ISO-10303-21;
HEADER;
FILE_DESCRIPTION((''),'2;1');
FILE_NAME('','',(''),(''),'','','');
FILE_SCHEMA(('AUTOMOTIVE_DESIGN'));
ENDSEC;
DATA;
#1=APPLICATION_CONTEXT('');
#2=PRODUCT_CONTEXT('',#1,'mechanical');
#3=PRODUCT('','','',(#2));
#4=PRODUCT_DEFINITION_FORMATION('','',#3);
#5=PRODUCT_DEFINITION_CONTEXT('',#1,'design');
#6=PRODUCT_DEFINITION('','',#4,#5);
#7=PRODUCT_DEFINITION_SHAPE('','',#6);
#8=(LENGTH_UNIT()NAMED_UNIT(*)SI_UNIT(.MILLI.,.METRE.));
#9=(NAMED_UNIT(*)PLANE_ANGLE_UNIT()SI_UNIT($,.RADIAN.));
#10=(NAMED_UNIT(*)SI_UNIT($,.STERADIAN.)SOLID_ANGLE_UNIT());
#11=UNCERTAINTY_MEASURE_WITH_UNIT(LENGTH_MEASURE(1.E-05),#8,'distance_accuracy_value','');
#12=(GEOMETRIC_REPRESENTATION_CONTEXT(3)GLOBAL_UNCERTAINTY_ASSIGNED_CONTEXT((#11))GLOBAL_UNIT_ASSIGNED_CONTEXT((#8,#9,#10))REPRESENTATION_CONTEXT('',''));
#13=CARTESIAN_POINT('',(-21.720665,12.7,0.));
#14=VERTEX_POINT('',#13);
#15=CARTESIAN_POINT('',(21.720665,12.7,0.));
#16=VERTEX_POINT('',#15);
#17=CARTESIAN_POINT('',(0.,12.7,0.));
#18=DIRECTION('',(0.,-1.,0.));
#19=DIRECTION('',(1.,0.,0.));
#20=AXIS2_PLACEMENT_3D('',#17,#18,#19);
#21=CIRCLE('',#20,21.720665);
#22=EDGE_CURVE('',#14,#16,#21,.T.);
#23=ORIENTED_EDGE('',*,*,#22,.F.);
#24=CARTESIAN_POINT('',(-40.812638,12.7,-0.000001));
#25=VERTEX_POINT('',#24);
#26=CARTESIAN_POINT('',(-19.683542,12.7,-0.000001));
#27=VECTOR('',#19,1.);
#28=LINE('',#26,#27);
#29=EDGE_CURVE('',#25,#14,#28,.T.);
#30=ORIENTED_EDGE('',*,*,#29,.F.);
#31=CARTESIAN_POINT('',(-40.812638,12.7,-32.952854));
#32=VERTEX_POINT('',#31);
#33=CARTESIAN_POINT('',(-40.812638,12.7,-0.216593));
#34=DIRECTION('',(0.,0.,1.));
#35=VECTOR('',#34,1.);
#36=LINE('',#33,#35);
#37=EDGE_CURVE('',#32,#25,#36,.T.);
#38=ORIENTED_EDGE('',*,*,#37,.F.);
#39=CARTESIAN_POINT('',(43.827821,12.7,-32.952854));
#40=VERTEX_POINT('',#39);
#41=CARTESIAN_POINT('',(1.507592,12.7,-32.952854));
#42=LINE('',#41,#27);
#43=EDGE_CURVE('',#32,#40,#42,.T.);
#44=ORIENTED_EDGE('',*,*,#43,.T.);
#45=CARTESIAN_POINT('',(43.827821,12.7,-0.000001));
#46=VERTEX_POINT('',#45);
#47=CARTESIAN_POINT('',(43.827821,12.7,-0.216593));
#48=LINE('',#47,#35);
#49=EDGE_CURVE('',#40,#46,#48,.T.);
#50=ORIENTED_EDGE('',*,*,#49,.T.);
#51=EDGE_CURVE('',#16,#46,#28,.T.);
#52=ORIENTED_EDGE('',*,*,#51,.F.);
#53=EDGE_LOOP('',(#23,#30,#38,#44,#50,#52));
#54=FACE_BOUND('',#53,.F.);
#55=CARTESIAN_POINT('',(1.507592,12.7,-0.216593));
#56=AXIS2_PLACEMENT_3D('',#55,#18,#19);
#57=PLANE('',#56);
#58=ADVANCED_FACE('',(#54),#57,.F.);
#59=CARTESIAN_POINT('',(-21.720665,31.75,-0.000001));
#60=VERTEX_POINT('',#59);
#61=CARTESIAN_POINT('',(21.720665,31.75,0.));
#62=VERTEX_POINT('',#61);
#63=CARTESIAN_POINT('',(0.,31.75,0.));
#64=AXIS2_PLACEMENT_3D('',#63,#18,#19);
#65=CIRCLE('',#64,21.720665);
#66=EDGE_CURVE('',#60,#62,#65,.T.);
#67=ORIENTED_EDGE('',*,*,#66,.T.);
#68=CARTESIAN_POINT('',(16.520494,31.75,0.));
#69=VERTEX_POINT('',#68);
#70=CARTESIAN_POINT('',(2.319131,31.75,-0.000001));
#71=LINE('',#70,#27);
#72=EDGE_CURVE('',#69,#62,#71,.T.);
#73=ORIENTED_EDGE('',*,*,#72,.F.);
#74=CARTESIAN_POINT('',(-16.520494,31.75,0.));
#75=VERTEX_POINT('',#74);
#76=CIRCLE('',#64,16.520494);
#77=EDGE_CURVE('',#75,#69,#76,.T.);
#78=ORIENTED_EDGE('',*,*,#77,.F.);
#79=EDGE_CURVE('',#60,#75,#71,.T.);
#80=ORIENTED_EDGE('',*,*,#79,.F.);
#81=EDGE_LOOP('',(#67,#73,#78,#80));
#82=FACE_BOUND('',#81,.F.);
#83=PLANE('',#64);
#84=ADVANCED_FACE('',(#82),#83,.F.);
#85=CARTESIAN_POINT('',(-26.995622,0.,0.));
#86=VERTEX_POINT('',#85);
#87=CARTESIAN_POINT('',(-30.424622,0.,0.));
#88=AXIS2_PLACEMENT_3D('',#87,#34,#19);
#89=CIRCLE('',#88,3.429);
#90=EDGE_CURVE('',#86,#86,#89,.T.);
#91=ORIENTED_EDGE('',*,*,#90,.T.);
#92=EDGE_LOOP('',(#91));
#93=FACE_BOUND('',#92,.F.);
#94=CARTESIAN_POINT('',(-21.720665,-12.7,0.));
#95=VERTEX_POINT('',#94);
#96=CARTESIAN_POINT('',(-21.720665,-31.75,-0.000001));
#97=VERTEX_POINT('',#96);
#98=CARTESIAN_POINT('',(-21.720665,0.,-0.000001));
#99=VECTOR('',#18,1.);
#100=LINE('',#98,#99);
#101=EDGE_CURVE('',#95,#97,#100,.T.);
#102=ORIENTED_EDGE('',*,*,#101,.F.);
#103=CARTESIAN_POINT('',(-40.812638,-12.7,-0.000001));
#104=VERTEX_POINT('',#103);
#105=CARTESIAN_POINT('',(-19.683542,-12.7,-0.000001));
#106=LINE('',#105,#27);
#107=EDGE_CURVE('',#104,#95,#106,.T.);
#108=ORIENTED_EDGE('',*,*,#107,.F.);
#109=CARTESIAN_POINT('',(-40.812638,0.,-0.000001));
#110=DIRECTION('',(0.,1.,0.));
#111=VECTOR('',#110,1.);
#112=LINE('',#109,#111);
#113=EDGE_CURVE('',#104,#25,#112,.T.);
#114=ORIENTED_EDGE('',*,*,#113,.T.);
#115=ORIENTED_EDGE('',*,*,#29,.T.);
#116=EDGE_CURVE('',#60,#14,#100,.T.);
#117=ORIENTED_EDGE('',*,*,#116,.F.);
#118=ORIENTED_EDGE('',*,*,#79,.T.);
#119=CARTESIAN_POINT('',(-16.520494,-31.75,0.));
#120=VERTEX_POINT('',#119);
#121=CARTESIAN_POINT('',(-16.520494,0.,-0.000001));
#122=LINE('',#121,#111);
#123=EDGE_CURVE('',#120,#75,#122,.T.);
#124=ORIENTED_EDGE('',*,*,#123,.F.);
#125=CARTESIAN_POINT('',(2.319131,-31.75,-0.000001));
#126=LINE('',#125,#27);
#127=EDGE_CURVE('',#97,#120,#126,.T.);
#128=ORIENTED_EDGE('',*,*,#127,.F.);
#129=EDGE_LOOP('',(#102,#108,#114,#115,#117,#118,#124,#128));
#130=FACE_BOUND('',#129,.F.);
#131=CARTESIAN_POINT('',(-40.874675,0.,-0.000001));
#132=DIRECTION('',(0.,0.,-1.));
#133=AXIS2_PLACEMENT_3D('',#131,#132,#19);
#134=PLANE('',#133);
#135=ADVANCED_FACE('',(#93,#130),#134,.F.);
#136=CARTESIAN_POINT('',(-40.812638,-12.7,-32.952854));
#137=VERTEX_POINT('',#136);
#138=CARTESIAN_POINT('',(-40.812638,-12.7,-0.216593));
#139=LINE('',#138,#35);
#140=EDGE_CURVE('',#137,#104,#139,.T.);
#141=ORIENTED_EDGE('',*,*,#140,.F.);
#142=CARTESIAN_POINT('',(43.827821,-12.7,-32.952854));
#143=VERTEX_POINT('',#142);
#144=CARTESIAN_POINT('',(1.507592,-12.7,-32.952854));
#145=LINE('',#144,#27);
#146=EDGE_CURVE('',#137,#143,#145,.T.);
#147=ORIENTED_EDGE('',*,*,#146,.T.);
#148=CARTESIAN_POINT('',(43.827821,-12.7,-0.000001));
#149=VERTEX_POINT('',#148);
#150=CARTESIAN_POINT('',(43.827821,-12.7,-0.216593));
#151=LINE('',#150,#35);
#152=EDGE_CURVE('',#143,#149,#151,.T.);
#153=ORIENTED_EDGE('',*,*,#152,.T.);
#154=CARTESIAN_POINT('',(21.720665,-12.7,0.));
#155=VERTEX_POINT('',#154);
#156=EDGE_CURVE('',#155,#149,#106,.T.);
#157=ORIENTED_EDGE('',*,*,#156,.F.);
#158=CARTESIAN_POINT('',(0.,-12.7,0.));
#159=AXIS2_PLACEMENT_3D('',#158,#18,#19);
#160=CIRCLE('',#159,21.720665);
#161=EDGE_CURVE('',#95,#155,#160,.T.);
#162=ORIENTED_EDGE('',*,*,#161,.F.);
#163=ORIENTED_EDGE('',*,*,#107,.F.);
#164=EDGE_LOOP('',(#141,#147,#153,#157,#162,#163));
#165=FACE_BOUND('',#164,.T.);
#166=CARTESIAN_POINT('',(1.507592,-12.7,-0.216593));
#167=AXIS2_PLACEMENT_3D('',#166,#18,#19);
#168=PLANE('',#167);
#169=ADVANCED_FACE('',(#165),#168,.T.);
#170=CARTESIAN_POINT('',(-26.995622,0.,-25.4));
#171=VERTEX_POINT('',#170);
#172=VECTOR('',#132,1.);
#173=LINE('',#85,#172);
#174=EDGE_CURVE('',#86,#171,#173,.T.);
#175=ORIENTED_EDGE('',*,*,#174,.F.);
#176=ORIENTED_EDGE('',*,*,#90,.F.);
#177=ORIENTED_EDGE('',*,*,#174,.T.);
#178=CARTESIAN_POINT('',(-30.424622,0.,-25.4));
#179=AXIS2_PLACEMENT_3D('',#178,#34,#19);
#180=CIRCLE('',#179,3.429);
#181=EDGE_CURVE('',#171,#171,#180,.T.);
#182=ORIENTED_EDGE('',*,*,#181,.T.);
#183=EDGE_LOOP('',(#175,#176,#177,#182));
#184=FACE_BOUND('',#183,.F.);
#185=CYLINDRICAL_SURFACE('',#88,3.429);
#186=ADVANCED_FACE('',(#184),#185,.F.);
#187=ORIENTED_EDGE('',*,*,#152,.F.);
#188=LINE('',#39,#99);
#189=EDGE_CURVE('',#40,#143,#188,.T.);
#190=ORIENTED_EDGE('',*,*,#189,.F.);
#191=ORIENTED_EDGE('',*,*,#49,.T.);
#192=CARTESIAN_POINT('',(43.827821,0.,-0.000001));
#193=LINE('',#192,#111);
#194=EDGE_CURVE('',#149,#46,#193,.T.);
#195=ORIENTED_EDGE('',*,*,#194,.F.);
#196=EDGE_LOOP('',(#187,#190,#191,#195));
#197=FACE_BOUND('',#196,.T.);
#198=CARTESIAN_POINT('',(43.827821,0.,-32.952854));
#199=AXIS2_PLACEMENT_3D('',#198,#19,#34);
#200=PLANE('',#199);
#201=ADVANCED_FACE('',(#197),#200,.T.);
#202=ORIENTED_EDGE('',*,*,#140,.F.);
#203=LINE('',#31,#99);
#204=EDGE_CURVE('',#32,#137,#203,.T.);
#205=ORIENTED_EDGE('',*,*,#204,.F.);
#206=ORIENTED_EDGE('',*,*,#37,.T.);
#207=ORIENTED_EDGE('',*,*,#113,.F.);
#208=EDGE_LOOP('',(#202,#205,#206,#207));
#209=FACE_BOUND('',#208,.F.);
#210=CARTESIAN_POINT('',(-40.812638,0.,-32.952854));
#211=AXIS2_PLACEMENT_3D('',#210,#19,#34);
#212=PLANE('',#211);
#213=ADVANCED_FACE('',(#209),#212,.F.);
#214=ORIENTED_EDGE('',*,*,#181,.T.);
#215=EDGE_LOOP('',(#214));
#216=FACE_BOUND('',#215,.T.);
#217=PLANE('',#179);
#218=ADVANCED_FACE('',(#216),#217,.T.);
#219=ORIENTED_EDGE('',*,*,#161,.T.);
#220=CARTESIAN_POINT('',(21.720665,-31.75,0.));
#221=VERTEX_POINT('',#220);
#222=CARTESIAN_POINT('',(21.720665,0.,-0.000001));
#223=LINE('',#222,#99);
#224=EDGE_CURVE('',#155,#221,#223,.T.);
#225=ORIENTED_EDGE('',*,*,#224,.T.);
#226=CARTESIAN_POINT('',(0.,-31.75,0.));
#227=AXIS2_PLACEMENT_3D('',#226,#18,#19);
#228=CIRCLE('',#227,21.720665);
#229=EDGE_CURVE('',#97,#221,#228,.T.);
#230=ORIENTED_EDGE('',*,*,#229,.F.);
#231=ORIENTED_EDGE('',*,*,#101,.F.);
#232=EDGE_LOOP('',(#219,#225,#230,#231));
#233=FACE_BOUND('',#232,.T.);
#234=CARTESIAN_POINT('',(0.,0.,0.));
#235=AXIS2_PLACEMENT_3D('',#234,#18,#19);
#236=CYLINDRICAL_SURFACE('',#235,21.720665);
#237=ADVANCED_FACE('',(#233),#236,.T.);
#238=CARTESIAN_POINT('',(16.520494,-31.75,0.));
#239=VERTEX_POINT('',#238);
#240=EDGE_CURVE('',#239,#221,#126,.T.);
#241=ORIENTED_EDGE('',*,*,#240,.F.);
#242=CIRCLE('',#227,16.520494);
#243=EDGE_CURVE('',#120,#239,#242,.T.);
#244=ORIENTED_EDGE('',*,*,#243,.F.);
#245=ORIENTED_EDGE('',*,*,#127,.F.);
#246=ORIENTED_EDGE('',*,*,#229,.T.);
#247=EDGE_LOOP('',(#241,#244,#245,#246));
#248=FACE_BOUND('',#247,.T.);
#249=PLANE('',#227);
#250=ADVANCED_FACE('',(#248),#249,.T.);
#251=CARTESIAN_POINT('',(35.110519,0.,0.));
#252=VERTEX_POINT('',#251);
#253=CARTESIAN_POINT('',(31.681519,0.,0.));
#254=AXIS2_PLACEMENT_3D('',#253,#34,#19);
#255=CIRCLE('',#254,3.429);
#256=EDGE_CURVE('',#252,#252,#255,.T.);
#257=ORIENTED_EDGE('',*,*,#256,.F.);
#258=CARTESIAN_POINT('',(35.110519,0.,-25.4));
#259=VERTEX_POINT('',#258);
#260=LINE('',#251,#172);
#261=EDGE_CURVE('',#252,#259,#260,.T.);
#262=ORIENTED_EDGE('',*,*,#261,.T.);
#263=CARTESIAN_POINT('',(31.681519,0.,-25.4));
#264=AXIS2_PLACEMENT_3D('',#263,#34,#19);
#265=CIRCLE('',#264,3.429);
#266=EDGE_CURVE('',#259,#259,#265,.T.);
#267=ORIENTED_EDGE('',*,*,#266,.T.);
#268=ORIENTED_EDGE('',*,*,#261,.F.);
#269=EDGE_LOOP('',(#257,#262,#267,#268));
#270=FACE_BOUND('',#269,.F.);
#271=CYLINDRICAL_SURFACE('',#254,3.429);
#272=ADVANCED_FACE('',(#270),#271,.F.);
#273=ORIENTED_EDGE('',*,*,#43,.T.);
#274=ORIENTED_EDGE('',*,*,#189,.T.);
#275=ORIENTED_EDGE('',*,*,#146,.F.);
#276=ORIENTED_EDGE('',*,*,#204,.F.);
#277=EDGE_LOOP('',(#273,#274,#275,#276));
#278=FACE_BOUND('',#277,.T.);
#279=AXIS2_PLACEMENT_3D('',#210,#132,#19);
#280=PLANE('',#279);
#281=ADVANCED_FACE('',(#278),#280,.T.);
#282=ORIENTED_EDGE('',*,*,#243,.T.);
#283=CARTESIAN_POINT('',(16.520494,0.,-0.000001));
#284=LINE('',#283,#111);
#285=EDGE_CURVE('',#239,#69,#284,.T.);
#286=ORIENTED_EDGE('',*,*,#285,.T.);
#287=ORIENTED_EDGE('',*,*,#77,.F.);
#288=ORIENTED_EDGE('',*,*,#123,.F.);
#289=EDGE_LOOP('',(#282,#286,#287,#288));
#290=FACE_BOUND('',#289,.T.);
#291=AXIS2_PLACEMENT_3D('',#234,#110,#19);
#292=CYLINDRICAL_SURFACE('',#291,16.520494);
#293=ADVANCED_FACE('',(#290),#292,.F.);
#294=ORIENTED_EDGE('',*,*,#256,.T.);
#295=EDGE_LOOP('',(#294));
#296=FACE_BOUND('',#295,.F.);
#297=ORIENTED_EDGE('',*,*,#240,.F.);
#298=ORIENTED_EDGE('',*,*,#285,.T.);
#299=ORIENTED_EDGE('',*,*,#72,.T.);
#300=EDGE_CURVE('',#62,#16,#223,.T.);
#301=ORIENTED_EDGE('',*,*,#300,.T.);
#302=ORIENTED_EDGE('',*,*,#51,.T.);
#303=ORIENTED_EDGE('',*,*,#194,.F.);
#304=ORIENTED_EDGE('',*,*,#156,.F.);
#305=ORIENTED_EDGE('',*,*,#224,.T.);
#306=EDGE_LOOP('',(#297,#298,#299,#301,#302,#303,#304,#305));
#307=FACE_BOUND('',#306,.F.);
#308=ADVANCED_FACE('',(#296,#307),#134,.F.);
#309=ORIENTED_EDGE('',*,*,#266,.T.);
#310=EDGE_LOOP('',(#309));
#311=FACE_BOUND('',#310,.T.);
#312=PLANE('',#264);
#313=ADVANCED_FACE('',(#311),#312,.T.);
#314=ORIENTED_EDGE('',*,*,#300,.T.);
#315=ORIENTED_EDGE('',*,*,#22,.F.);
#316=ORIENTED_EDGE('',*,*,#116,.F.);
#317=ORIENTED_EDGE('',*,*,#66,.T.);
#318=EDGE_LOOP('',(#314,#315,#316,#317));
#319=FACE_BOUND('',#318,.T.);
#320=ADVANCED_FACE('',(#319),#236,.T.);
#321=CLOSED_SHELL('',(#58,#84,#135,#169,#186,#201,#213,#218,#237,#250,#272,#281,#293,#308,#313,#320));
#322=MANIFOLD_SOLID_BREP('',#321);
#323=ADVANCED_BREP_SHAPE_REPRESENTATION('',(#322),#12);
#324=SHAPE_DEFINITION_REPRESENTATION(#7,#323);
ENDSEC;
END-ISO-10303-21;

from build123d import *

# Parameters (mm, degrees)
F0_R     = 21.720665
F0_R_2   = 16.520494
F1_DEPTH = 31.75
F0_W     = 84.640459
F0_H     = 65.472521
F2_DEPTH = 12.7
F3_W     = 86.387612
F3_H     = 35.076849
F4_DEPTH = 31.75
F5_R     = 3.429
F6_DEPTH = 25.4


with BuildPart() as f1:
    # F0 (on Front) → F1 (new body, symmetric)
    with BuildSketch(Plane.XZ):
        Circle(F0_R)
        Circle(F0_R_2, mode=Mode.SUBTRACT)
    extrude(amount=F1_DEPTH, both=True)

    # F0 (on Front) → F2 (join, symmetric)
    with BuildSketch(Plane.XZ):
        with Locations((1.507592, -0.216593)):
            Rectangle(F0_W, F0_H)
        Circle(F0_R, mode=Mode.SUBTRACT)
    extrude(amount=F2_DEPTH, both=True)

    # F3 (on Front) → F4 (cut, symmetric)
    with BuildSketch(Plane.XZ):
        with Locations((2.319131, 17.538424)):
            Rectangle(F3_W, F3_H)
    extrude(amount=F4_DEPTH, both=True, mode=Mode.SUBTRACT)

    # F5 (on face) → F6 (cut)
    with BuildSketch(Plane.XY):
        with Locations((-30.424622, 0)):
            Circle(F5_R)
        with Locations((31.681519, 0)):
            Circle(F5_R)
    extrude(amount=-F6_DEPTH, mode=Mode.SUBTRACT)


solid = f1.part
